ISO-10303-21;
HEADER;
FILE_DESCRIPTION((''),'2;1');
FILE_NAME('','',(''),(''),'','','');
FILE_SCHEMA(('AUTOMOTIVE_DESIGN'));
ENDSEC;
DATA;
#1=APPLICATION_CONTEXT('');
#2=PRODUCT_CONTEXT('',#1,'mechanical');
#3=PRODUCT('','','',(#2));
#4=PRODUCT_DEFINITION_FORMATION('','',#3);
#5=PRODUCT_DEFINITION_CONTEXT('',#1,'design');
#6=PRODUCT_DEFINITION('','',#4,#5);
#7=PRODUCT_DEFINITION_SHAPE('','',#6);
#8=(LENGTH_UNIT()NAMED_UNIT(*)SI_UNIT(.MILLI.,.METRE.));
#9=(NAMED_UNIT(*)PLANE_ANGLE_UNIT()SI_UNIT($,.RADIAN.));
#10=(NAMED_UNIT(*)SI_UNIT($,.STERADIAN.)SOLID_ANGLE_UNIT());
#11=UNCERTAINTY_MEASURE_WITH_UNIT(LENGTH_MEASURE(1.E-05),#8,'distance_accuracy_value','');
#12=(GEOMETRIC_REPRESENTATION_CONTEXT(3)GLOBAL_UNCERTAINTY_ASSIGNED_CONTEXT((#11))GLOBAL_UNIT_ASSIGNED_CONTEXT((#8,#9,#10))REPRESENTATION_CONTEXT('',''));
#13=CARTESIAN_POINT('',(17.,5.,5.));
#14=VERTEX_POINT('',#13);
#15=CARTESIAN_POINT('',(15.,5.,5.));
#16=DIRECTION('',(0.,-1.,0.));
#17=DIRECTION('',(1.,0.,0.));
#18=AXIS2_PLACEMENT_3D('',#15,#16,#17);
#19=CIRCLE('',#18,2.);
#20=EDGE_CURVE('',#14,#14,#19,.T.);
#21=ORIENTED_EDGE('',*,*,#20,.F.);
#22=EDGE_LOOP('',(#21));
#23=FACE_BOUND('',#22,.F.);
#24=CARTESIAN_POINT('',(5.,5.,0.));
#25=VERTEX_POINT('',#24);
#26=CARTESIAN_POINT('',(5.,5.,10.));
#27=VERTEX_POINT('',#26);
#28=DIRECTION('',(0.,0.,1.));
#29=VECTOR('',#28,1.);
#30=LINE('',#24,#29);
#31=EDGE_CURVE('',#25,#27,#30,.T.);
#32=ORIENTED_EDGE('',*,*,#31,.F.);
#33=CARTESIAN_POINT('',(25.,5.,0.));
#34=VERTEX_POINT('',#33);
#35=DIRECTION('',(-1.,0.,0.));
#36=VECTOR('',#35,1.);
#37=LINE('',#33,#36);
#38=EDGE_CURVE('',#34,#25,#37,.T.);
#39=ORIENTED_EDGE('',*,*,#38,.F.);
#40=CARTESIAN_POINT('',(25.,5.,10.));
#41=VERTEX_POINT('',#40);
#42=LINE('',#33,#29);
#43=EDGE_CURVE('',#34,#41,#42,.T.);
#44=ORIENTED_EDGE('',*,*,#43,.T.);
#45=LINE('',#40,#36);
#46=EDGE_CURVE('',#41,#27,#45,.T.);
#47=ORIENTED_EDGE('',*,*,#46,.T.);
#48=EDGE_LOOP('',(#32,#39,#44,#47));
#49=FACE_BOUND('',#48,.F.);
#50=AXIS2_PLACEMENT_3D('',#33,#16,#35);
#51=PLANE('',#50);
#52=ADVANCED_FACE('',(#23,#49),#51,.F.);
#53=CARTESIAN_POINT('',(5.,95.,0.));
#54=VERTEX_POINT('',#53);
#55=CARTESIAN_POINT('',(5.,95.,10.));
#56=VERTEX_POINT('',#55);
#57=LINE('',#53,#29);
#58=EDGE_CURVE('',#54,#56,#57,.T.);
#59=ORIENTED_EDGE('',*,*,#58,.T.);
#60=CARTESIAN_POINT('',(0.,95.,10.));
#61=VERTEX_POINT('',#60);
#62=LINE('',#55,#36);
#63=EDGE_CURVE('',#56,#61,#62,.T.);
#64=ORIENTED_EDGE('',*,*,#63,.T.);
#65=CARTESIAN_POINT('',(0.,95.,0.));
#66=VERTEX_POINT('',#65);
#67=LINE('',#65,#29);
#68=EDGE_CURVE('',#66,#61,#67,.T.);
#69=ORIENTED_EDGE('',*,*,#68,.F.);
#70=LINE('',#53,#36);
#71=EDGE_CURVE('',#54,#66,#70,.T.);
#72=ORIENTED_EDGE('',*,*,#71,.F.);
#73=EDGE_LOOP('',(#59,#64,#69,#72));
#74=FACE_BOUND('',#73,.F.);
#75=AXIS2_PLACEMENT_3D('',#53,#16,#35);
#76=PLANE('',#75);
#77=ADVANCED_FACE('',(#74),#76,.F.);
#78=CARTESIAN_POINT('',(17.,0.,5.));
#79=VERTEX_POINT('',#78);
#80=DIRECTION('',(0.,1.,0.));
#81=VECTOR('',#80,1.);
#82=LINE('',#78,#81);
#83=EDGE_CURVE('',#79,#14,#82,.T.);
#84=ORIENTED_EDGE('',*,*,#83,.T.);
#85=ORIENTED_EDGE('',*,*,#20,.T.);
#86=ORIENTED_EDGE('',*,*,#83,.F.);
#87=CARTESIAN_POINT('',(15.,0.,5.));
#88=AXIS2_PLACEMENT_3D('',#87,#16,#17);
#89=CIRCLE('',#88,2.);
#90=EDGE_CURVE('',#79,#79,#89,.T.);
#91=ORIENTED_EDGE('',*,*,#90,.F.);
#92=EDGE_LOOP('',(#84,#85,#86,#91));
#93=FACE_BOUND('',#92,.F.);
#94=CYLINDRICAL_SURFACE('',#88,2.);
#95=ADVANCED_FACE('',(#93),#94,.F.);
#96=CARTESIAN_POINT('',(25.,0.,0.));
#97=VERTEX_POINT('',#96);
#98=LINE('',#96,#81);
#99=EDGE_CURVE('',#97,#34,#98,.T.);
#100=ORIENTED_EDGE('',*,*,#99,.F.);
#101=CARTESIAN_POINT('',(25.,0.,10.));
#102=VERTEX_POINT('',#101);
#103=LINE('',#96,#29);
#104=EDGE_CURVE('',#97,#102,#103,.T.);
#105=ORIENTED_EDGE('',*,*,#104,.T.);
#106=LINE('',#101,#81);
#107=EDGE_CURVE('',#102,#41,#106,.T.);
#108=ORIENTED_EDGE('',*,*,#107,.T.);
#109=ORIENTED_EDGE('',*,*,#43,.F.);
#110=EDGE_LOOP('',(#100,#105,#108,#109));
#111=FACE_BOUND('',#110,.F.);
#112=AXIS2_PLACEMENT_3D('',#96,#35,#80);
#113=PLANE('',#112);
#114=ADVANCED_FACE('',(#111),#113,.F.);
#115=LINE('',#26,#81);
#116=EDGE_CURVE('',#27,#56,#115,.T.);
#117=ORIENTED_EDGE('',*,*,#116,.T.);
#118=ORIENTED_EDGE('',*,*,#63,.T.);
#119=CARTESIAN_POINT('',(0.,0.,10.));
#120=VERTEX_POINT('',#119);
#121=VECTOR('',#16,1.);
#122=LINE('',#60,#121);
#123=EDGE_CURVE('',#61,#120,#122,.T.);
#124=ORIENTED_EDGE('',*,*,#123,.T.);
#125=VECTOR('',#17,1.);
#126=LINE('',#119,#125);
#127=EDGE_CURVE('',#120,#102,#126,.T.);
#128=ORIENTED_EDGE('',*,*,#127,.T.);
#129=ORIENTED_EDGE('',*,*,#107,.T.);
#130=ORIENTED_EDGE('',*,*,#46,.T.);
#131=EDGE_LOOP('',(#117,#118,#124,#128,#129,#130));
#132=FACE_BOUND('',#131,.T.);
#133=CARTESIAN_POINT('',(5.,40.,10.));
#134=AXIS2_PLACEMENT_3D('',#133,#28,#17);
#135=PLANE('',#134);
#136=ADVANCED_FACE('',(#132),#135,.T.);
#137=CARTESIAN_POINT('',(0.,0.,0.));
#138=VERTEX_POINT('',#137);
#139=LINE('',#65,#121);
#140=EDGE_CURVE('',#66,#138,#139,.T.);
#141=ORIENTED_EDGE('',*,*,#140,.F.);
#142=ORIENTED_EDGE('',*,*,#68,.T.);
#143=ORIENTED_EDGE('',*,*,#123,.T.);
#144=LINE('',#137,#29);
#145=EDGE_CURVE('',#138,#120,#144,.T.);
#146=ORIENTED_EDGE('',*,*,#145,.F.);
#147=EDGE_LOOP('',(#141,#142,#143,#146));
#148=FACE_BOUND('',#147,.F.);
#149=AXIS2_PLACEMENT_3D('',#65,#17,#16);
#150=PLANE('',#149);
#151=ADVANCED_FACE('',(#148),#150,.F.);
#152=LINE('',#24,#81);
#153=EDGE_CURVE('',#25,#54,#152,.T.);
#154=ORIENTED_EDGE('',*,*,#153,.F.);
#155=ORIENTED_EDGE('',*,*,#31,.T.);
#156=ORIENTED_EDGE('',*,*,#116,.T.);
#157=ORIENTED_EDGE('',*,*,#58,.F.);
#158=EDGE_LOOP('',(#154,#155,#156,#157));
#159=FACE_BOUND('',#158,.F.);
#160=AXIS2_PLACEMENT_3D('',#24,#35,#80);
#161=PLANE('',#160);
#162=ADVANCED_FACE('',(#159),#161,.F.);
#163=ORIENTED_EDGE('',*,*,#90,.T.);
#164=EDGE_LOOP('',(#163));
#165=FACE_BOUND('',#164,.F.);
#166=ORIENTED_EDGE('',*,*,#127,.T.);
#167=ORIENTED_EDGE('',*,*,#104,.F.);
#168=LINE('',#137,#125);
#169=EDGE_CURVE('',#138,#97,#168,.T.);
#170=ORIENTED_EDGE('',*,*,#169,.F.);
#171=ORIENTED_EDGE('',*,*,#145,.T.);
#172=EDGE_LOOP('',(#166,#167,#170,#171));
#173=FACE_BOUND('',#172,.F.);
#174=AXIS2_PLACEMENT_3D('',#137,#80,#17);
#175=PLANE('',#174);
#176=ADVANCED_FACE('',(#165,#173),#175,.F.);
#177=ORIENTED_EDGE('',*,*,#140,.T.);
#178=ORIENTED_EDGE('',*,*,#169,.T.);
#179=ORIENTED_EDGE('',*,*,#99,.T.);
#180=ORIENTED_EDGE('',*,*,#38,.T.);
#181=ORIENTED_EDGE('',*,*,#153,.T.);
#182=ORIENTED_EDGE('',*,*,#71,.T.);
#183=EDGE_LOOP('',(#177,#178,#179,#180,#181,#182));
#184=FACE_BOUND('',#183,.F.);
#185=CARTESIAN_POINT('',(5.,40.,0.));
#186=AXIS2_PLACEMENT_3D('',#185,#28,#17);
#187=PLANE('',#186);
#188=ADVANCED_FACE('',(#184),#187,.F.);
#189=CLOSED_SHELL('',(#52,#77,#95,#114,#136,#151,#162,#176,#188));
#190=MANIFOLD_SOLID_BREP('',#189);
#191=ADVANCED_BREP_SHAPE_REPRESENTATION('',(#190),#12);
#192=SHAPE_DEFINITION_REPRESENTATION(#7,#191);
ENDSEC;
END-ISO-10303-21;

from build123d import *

# Parameters (mm, degrees)
PAD_DEPTH   = 10
SKETCH001_R = 2
HOLE_DEPTH  = 23.798279
HOLE_TIPS_R = 2


with BuildPart() as part:
    # Sketch → Pad (new body)
    with BuildSketch(Plane.XY):
        Polygon((0, 95), (0, 0), (25, 0), (25, 5), (5, 5), (5, 95), align=None)
    extrude(amount=PAD_DEPTH)

    # Sketch001 (on Face2 of Pad) → Hole (cut)
    with BuildSketch(Plane.XZ):
        with Locations((15, 5)):
            Circle(SKETCH001_R)
    extrude(amount=-HOLE_DEPTH, mode=Mode.SUBTRACT)

    # Hole tips → Hole tip 1 section 0
    with BuildSketch(Plane.XZ.offset(-23.798279), mode=Mode.PRIVATE) as hole_tip_1_s0:
        with Locations((15, 5)):
            Circle(HOLE_TIPS_R)
    loft([hole_tip_1_s0.sketch, Vertex(15, 25, 5)], mode=Mode.SUBTRACT)


solid = part.part
